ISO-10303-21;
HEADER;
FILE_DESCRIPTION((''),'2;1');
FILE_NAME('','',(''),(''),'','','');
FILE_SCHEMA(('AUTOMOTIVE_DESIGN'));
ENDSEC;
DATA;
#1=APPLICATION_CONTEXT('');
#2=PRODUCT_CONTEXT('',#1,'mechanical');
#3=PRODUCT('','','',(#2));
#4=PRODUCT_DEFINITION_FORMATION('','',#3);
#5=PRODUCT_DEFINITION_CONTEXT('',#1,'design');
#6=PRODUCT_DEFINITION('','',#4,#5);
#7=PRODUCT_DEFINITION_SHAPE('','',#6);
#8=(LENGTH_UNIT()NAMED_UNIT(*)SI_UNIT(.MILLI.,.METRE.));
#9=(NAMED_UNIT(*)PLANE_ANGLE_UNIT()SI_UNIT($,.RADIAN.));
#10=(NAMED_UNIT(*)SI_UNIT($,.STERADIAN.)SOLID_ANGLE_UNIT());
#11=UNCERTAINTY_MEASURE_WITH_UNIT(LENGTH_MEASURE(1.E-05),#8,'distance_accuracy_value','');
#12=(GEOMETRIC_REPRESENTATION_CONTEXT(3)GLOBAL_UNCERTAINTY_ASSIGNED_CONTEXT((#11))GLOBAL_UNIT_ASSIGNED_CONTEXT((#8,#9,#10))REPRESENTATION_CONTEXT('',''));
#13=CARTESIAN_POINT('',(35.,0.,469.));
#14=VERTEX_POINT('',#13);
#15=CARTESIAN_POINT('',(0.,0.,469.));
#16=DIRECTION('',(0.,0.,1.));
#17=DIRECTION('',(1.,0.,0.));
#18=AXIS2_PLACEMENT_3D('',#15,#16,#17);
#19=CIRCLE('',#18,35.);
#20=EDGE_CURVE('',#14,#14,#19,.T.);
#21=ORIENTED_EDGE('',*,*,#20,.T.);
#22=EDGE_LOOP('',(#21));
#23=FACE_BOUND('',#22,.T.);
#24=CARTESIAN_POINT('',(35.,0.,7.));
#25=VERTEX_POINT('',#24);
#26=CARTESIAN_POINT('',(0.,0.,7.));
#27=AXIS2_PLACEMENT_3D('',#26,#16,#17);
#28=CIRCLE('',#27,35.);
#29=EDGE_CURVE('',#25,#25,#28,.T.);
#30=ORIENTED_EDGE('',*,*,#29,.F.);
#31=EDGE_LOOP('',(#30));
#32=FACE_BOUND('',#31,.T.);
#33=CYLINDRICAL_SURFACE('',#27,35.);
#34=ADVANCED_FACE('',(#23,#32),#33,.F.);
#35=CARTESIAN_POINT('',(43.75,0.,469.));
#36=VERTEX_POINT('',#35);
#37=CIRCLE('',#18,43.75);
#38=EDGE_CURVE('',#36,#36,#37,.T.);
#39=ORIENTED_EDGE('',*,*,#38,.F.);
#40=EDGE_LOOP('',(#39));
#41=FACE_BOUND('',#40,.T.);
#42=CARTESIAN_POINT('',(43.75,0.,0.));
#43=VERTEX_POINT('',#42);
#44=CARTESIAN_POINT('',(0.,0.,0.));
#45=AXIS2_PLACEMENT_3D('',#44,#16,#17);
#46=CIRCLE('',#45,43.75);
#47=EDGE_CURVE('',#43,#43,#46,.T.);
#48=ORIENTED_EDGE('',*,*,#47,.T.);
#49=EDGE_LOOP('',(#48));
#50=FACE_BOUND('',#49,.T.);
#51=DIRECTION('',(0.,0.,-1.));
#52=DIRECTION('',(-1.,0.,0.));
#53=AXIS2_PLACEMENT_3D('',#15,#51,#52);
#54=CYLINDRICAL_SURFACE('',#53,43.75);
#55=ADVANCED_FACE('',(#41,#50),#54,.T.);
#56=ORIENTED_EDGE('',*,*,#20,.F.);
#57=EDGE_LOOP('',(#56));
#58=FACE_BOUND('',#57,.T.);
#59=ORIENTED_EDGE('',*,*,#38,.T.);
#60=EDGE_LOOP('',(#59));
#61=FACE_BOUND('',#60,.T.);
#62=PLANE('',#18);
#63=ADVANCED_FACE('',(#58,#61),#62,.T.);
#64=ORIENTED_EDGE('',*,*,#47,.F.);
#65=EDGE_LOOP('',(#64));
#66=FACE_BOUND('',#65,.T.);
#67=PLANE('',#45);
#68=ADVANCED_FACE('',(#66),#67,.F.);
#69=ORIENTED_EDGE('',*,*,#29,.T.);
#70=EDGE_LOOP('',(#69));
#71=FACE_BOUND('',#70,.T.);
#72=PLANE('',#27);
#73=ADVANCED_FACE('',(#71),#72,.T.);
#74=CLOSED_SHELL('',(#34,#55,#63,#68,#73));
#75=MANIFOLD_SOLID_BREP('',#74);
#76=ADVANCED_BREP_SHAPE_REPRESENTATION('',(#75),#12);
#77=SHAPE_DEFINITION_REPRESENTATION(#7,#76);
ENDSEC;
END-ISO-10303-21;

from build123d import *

# Parameters (mm, degrees)
CROQUIS2_R              = 43.75
SALIENTE_EXTRUIR8_DEPTH = 469
CROQUIS4_R              = 35
CORTAR_EXTRUIR1_DEPTH   = 462


with BuildPart() as part:
    # Croquis2 → Saliente-Extruir8 (new body)
    with BuildSketch(Plane.XY):
        Circle(CROQUIS2_R)
    extrude(amount=SALIENTE_EXTRUIR8_DEPTH)

    # Croquis4 → Cortar-Extruir1 (cut)
    with BuildSketch(Plane.XY.offset(469)):
        Circle(CROQUIS4_R)
    extrude(amount=-CORTAR_EXTRUIR1_DEPTH, mode=Mode.SUBTRACT)


solid = part.part
